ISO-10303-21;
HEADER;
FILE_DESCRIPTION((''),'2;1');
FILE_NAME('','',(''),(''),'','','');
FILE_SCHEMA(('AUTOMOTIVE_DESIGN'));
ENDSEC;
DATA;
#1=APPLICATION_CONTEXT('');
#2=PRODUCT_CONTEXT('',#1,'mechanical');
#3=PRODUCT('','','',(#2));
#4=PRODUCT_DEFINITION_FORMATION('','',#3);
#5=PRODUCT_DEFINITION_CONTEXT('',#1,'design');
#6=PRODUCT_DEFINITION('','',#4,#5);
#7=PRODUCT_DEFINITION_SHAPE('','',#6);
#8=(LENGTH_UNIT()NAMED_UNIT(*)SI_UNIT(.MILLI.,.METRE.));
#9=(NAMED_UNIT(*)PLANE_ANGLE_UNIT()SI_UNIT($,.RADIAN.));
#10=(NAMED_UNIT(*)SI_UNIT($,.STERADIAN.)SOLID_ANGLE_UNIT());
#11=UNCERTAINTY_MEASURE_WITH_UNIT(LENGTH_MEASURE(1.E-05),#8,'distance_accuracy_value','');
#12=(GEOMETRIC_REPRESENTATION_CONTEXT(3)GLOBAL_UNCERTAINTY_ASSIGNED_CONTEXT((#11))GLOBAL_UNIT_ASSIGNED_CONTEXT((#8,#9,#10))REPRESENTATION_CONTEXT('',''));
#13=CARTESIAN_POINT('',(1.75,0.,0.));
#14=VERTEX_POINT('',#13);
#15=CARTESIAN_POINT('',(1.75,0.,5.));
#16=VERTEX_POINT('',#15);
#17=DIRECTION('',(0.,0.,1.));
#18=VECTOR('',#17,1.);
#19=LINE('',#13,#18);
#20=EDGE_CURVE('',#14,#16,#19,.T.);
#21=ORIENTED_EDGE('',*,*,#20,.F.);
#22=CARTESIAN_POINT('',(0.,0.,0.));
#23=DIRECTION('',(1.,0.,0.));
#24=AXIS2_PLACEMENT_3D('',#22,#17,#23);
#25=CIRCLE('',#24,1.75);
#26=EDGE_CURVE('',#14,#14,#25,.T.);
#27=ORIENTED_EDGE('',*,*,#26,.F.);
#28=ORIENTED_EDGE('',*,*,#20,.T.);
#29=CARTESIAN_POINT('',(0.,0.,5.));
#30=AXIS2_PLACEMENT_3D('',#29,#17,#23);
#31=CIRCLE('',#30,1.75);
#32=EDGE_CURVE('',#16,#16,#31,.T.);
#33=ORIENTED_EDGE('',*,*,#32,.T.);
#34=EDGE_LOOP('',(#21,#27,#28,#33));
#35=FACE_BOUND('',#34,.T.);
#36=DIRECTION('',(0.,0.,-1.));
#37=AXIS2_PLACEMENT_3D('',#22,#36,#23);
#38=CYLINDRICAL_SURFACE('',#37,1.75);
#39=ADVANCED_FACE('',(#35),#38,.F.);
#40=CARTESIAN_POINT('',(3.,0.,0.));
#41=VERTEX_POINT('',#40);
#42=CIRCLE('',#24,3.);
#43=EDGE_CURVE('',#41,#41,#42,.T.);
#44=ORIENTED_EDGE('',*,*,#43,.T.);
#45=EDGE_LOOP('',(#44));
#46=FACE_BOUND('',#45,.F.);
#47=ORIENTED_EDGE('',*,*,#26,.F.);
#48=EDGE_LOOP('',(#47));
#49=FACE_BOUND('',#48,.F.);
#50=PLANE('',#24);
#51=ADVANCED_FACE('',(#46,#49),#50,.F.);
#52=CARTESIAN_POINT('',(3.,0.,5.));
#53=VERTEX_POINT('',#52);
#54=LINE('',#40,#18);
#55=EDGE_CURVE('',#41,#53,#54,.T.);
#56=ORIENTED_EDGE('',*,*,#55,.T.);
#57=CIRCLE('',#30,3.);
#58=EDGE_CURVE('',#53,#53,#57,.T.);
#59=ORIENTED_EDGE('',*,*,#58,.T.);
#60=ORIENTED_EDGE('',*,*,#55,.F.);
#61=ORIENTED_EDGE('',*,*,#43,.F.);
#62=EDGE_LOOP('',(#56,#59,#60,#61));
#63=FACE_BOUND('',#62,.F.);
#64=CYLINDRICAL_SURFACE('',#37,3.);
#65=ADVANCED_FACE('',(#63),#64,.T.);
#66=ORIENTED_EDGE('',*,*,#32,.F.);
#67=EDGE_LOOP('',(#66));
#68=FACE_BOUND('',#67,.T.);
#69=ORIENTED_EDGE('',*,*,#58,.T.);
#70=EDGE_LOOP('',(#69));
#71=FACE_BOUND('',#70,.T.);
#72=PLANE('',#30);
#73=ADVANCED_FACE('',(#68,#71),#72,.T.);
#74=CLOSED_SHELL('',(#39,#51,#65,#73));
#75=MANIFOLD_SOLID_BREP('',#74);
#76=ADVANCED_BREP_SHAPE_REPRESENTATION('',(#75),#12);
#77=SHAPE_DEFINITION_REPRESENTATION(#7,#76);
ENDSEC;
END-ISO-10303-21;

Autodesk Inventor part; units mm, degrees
ref_plane "YZ Plane" through (0, 0, 0) normal (1, 0, 0) x (0, 1, 0)
ref_plane "XZ Plane" through (0, 0, 0) normal (0, 1, 0) x (-1, 0, 0)
ref_plane "XY Plane" through (0, 0, 0) normal (0, 0, 1) x (1, 0, 0)
sketch "Sketch1" plane through (0, 0, 0) normal (0, 0, 1) x (1, 0, 0)
  circle A0 centre (0, 0) radius 3
  circle A1 centre (0, 0) radius 1.75
  dimension "d0" = 3.5
  dimension "d1" = 6
extrude "Extrusion1" add sketch "Sketch1" along normal blind 5
properties part number "Distance_Piece"
